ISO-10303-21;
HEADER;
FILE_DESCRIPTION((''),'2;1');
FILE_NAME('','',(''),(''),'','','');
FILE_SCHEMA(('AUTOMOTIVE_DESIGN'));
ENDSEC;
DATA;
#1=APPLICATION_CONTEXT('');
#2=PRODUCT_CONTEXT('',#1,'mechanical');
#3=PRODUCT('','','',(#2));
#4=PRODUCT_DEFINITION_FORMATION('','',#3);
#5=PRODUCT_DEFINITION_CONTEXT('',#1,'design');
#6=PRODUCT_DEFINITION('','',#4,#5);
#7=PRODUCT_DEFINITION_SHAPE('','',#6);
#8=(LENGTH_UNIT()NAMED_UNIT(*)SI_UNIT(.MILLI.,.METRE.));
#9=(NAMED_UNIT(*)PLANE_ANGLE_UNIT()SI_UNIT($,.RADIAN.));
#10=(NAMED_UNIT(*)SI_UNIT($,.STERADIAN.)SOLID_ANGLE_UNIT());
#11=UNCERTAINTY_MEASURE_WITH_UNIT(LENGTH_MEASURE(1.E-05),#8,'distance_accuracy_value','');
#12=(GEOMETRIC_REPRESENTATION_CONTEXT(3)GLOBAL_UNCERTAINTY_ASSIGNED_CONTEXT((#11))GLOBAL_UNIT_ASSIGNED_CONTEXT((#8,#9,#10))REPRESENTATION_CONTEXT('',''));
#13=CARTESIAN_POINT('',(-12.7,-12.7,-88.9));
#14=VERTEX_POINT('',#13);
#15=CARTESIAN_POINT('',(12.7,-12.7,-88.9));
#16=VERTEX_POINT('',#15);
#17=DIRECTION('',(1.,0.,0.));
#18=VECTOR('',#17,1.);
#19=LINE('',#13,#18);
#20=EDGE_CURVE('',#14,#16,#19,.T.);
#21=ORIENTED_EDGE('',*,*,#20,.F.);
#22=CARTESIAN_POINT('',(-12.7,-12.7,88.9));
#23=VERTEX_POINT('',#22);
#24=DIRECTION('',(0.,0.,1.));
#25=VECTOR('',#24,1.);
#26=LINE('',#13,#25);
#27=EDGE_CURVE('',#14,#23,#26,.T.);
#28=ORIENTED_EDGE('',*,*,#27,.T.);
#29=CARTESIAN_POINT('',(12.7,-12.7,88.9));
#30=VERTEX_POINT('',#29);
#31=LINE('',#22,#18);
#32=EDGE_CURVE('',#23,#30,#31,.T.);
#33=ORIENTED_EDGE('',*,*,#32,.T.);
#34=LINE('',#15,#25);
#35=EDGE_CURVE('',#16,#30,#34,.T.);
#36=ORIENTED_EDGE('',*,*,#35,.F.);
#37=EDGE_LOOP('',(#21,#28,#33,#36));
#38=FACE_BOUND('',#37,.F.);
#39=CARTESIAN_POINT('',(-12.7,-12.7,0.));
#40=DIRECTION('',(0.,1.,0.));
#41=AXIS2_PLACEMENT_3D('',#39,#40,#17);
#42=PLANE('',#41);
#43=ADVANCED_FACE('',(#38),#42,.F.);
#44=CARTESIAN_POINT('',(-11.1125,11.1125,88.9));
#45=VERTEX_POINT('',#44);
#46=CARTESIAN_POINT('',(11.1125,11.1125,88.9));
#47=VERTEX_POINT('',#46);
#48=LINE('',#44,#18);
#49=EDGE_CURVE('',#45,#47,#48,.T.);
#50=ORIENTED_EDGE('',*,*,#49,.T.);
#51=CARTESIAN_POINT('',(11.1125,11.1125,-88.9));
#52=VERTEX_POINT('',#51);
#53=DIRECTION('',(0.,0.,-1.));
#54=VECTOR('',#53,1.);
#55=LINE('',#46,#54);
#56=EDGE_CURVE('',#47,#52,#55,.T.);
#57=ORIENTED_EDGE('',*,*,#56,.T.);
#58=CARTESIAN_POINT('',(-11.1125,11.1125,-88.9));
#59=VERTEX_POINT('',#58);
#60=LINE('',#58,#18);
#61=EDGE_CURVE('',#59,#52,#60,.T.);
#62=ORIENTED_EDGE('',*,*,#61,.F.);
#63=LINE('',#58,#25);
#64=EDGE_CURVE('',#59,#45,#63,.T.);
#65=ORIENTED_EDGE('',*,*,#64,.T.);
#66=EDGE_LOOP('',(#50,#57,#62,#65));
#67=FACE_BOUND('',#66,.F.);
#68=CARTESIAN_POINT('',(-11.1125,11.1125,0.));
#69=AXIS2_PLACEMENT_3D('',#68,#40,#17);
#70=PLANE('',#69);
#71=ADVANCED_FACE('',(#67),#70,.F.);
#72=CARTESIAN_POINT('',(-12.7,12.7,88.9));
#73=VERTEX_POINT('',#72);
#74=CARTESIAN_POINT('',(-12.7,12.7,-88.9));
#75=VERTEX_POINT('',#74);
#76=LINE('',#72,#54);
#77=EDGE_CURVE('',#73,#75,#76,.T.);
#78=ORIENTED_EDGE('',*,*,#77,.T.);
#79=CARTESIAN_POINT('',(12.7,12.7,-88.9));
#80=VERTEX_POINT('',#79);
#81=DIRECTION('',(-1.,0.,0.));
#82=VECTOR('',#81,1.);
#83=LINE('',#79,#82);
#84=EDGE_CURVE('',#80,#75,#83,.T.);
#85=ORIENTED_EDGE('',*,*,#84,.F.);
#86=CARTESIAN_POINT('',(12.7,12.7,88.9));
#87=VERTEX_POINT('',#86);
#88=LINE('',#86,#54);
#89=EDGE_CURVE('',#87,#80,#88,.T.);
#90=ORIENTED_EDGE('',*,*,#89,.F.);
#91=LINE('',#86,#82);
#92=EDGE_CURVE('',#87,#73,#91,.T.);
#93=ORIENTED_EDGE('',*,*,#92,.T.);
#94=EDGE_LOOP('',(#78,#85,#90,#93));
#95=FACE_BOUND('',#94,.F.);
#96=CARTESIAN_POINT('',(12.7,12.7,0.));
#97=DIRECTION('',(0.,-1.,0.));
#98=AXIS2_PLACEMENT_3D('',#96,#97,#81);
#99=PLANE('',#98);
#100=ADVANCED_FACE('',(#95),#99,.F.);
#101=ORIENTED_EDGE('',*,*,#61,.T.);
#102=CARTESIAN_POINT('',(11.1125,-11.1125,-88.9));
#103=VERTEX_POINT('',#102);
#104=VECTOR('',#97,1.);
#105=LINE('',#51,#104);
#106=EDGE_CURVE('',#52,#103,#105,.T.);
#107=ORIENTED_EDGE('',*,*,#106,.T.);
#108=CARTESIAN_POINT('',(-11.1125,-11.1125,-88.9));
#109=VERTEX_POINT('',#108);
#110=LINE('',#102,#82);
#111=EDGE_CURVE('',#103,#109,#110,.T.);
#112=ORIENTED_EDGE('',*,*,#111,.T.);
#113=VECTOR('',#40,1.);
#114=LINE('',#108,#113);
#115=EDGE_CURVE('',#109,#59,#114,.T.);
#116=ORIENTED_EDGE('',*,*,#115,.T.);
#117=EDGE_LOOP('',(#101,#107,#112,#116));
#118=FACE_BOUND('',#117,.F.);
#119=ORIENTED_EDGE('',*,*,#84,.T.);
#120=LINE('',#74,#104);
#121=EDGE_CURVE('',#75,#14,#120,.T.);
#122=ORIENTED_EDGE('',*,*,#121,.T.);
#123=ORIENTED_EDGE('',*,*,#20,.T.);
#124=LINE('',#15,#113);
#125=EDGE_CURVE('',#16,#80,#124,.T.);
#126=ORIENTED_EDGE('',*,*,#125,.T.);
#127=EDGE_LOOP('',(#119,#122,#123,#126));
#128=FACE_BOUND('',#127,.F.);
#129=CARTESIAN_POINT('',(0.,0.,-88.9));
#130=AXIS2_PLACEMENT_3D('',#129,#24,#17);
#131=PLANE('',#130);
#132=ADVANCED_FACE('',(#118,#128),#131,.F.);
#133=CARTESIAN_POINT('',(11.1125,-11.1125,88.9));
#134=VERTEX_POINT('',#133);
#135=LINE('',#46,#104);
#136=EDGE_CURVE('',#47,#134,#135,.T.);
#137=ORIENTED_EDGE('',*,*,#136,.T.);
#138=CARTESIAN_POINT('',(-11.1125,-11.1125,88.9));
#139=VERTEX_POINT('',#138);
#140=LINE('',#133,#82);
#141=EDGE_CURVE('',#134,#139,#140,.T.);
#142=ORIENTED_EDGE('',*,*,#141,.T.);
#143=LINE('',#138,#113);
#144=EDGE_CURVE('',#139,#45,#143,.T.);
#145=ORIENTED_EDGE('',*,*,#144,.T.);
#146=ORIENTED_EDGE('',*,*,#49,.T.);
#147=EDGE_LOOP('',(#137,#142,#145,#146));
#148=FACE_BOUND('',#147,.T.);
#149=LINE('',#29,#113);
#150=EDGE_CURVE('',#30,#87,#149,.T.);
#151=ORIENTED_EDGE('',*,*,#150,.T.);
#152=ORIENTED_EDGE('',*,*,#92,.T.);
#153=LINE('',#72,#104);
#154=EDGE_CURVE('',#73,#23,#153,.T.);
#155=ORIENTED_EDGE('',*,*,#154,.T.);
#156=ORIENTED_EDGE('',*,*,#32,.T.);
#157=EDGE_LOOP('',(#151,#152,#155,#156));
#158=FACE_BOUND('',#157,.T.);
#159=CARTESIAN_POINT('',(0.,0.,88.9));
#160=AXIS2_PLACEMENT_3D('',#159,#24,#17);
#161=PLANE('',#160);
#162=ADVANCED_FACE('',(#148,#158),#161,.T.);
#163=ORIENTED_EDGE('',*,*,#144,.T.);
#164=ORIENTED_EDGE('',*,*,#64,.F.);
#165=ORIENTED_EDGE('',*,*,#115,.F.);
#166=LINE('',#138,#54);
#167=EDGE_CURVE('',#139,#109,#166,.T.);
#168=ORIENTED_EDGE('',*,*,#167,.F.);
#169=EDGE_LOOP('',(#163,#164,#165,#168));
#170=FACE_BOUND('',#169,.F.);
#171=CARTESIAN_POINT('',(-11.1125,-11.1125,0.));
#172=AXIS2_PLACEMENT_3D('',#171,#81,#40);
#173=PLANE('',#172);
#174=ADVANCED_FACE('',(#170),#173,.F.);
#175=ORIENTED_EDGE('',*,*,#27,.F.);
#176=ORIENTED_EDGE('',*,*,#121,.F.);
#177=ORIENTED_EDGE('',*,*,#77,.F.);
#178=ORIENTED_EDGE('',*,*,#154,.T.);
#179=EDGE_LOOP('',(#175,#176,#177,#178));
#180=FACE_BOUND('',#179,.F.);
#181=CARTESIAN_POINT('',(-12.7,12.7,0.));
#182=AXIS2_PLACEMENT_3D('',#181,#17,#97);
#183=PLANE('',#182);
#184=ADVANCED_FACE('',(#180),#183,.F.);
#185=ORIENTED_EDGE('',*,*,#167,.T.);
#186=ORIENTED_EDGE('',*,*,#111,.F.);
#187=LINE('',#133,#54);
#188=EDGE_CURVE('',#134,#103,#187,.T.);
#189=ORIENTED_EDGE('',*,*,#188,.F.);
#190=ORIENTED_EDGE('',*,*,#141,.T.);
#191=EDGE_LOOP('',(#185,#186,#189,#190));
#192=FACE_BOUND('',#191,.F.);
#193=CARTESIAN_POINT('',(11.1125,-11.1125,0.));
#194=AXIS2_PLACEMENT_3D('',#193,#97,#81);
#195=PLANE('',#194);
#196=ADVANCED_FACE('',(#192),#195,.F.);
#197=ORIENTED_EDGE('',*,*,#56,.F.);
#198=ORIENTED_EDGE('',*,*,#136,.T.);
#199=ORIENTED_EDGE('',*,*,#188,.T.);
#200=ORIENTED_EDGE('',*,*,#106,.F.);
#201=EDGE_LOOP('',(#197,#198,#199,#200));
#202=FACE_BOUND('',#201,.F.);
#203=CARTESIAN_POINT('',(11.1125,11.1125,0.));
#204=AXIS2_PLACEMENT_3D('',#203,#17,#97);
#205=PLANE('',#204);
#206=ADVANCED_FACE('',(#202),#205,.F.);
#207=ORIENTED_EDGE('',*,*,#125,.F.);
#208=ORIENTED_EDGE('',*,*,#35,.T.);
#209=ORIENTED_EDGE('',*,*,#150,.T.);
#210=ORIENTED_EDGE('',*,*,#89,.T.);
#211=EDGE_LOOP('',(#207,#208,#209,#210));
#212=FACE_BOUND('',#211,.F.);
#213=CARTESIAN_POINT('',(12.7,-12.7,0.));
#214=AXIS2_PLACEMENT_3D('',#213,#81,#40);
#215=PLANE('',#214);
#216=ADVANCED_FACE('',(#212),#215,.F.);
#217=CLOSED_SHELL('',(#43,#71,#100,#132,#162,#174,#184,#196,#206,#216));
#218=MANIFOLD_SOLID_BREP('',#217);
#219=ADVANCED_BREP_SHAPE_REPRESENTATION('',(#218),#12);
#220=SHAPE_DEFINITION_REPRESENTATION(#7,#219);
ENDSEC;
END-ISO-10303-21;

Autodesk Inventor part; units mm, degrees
ref_plane "YZ Plane" through (0, 0, 0) normal (1, 0, 0) x (0, 1, 0)
ref_plane "XZ Plane" through (0, 0, 0) normal (0, 1, 0) x (-1, 0, 0)
ref_plane "XY Plane" through (0, 0, 0) normal (0, 0, 1) x (1, 0, 0)
sketch "Sketch1" plane through (0, 0, 0) normal (0, 0, 1) x (1, 0, 0)
  line L0 (-12.7, -12.7) -> (12.7, -12.7)
  line L1 (12.7, -12.7) -> (12.7, 12.7)
  line L2 (12.7, 12.7) -> (-12.7, 12.7)
  line L3 (-12.7, 12.7) -> (-12.7, -12.7)
  line L4 (-12.7, -12.7) -> (12.7, 12.7) construction
  line L5 (12.7, -12.7) -> (-12.7, 12.7) construction
  line L6 (-11.1125, 11.1125) -> (11.1125, 11.1125)
  line L7 (11.1125, 11.1125) -> (11.1125, -11.1125)
  line L8 (11.1125, -11.1125) -> (-11.1125, -11.1125)
  line L9 (-11.1125, -11.1125) -> (-11.1125, 11.1125)
  point P0 (0, 0)
  dimension "width" = 25.4
  dimension "height" = 25.4
  dimension "thickness" = 1.5875
extrude "Extrusion1" add sketch "Sketch1" along normal mid plane 177.8
properties part number "CL6-005" material "Aluminum 6061"
